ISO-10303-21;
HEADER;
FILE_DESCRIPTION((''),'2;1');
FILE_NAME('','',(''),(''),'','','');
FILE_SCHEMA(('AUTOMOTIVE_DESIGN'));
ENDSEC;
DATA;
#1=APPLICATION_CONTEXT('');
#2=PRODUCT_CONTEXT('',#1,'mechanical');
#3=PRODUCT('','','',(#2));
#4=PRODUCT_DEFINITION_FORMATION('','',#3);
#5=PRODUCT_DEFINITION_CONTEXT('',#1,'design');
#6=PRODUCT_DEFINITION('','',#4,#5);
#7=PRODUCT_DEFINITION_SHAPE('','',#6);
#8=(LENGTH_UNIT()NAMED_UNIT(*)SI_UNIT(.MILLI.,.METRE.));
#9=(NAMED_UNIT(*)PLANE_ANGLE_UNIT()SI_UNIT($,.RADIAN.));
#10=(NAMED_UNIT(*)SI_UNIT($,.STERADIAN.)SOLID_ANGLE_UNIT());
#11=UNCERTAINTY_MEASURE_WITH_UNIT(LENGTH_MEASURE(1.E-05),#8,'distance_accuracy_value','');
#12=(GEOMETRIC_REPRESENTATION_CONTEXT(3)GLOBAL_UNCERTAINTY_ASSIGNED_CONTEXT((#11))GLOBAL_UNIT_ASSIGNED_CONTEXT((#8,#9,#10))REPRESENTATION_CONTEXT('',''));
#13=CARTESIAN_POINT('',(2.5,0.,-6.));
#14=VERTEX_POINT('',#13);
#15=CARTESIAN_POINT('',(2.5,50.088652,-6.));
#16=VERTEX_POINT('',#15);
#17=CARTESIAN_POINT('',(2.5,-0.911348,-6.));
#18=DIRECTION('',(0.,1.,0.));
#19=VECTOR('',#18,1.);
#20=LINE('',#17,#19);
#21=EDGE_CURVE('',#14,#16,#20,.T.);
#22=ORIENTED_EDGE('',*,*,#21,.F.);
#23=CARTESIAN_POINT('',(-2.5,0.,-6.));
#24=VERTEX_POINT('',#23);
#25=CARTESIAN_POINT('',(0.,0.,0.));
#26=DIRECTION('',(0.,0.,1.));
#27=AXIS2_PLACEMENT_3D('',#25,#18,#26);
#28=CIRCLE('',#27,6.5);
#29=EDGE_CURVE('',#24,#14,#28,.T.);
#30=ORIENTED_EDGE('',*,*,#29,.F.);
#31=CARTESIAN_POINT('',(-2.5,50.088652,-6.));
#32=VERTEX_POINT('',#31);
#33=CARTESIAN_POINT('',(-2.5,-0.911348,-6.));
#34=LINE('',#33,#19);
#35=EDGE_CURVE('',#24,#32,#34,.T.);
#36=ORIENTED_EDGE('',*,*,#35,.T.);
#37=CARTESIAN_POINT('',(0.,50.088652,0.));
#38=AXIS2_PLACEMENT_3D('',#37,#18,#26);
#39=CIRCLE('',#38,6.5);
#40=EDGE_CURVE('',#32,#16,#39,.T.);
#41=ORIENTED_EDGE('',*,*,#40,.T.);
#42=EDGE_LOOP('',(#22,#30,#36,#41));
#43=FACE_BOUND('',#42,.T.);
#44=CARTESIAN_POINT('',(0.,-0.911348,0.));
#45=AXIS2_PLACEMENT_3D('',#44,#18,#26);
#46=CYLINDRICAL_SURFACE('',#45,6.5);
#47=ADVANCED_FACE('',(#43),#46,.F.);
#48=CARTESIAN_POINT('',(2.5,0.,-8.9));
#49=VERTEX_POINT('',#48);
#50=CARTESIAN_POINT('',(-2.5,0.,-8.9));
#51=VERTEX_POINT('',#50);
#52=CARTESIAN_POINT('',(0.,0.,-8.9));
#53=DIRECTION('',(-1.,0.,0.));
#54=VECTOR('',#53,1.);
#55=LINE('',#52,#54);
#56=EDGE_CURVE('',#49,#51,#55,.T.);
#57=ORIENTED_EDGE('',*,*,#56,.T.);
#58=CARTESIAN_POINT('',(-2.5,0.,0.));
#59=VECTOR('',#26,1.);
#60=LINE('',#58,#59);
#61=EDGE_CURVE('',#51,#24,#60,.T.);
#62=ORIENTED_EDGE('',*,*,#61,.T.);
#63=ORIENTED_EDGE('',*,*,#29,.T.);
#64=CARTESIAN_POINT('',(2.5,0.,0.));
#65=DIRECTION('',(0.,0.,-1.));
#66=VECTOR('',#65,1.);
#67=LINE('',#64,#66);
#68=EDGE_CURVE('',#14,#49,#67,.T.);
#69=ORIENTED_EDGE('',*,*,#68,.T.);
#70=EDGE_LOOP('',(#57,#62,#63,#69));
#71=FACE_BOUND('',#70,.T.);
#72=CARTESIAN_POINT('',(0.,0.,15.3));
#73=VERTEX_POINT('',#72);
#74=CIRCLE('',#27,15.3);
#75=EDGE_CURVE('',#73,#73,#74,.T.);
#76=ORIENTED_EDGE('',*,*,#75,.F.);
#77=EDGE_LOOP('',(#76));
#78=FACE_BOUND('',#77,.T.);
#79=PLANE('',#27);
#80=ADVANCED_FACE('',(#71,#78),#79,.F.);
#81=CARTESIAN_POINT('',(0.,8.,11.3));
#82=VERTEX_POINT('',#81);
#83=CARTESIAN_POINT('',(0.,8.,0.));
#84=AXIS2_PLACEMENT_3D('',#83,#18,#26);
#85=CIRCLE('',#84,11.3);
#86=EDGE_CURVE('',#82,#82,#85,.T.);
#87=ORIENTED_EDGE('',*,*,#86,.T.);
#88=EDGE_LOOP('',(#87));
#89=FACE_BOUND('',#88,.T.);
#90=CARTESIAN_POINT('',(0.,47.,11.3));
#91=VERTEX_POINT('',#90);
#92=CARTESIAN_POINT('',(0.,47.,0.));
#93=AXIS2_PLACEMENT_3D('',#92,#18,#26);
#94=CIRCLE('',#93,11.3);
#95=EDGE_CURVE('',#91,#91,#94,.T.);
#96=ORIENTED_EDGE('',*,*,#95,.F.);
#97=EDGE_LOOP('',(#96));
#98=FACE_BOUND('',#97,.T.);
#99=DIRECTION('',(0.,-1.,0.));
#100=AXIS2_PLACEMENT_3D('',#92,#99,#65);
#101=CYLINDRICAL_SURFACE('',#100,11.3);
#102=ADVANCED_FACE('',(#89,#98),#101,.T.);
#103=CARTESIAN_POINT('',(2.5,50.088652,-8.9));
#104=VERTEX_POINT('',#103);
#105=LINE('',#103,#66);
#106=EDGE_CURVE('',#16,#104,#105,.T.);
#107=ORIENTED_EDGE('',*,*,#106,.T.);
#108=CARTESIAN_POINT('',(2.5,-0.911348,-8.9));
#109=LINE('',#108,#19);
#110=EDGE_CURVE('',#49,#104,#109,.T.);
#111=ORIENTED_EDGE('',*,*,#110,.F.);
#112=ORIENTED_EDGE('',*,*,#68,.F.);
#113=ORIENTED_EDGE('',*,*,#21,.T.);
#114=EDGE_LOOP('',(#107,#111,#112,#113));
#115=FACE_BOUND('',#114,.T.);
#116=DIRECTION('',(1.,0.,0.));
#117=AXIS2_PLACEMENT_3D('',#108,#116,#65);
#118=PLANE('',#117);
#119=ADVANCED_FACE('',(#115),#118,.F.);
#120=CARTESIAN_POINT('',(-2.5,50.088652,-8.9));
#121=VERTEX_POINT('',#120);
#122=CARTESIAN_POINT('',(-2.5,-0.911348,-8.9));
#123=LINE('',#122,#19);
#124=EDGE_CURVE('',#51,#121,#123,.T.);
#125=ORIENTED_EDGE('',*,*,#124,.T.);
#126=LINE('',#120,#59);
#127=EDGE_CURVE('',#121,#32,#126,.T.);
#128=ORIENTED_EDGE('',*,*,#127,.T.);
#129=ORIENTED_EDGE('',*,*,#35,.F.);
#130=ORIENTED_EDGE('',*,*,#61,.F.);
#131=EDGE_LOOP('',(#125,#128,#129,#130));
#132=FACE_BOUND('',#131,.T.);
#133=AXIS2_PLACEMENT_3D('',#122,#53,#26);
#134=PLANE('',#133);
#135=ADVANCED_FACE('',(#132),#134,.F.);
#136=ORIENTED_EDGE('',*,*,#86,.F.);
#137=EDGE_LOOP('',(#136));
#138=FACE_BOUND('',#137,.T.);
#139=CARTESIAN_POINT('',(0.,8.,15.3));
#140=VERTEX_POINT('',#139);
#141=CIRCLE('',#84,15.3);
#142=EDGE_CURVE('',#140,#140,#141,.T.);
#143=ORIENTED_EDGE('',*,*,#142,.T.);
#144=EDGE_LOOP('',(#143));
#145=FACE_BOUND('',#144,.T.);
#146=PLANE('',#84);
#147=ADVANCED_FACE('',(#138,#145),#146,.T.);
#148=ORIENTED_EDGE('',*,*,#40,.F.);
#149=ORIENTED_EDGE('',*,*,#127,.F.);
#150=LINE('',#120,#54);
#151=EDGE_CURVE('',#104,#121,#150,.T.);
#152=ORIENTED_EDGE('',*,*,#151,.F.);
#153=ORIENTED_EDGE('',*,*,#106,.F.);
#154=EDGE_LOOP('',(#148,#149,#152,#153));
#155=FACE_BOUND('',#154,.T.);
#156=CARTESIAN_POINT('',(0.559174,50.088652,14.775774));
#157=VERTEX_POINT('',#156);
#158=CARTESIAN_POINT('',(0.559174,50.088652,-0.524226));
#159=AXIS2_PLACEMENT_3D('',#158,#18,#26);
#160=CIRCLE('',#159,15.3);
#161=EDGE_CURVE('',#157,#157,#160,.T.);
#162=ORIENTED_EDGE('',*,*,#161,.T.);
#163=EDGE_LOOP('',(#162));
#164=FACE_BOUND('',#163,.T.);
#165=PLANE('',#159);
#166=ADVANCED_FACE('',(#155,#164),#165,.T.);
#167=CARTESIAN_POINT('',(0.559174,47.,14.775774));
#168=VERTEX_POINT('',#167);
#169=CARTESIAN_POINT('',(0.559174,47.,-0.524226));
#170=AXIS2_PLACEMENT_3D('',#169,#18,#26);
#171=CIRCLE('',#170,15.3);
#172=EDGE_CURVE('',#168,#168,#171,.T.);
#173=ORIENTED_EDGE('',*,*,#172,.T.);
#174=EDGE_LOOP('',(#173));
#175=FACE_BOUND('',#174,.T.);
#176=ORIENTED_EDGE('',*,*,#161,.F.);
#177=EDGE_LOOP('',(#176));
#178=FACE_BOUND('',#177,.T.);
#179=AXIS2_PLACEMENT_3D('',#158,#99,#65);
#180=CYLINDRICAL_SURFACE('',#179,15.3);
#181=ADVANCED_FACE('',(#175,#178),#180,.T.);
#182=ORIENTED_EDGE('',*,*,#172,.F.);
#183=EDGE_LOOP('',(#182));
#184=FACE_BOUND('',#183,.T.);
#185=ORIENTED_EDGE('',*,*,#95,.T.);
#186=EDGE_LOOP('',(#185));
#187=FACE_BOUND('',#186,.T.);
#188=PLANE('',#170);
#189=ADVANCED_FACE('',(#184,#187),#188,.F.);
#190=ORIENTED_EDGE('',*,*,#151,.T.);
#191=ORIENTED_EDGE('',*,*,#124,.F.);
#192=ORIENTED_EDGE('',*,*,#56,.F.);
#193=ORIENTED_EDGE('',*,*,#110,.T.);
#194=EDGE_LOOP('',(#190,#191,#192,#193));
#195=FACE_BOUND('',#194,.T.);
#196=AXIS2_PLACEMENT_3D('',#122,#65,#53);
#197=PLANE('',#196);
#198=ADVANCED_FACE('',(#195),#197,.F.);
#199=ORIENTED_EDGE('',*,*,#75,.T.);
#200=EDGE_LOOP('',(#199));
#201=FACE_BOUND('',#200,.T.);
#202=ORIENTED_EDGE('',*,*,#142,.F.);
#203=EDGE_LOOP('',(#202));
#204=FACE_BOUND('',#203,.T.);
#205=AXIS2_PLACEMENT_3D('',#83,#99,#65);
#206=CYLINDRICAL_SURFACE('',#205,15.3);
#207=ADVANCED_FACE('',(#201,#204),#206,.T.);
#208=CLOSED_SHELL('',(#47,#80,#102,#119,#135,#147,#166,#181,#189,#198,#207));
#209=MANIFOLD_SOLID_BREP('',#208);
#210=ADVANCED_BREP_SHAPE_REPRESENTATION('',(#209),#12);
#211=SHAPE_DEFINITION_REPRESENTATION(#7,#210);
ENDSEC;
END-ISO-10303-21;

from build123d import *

# Parameters (mm, degrees)
SKETCH1_R           = 15.3
BOSS_EXTRUDE1_DEPTH = 8
SKETCH2_R           = 11.3
BOSS_EXTRUDE2_DEPTH = 39
SKETCH3_R           = 15.3
BOSS_EXTRUDE3_DEPTH = 3.088651712
CUT_EXTRUDE4_DEPTH  = 51


with BuildPart() as part:
    # Sketch1 → Boss-Extrude1 (new body)
    with BuildSketch(Plane(origin=(0, 0, 0), x_dir=(1, 0, 0), z_dir=(0, 1, 0))):
        with Locations(Location((0, 0, 0), (0, 0, 270))):
            Circle(SKETCH1_R)
    extrude(amount=BOSS_EXTRUDE1_DEPTH)

    # Sketch2 → Boss-Extrude2 (add)
    with BuildSketch(Plane(origin=(0, 8, 0), x_dir=(1, 0, 0), z_dir=(0, 1, 0))):
        with Locations(Location((0, 0, 0), (0, 0, 270))):
            Circle(SKETCH2_R)
    extrude(amount=BOSS_EXTRUDE2_DEPTH)

    # Sketch3 → Boss-Extrude3 (add)
    with BuildSketch(Plane(origin=(0, 47, 0), x_dir=(1, 0, 0), z_dir=(0, 1, 0))):
        with Locations(Location((0.559173948, 0.524225576, 0), (0, 0, 270))):
            Circle(SKETCH3_R)
    extrude(amount=BOSS_EXTRUDE3_DEPTH)

    # Sketch6 → Cut-Extrude4 (cut)
    with BuildSketch(Plane(origin=(0, 50.088651712, 0), x_dir=(1, 0, 0), z_dir=(0, 1, 0))):
        with BuildLine():
            Line((-2.5, 8.9), (2.5, 8.9))
            Line((2.5, 8.9), (2.5, 6))
            ThreePointArc((2.5, 6), (0, -6.5), (-2.5, 6))
            Line((-2.5, 6), (-2.5, 8.9))
        make_face()
    extrude(amount=-CUT_EXTRUDE4_DEPTH, mode=Mode.SUBTRACT)


solid = part.part
